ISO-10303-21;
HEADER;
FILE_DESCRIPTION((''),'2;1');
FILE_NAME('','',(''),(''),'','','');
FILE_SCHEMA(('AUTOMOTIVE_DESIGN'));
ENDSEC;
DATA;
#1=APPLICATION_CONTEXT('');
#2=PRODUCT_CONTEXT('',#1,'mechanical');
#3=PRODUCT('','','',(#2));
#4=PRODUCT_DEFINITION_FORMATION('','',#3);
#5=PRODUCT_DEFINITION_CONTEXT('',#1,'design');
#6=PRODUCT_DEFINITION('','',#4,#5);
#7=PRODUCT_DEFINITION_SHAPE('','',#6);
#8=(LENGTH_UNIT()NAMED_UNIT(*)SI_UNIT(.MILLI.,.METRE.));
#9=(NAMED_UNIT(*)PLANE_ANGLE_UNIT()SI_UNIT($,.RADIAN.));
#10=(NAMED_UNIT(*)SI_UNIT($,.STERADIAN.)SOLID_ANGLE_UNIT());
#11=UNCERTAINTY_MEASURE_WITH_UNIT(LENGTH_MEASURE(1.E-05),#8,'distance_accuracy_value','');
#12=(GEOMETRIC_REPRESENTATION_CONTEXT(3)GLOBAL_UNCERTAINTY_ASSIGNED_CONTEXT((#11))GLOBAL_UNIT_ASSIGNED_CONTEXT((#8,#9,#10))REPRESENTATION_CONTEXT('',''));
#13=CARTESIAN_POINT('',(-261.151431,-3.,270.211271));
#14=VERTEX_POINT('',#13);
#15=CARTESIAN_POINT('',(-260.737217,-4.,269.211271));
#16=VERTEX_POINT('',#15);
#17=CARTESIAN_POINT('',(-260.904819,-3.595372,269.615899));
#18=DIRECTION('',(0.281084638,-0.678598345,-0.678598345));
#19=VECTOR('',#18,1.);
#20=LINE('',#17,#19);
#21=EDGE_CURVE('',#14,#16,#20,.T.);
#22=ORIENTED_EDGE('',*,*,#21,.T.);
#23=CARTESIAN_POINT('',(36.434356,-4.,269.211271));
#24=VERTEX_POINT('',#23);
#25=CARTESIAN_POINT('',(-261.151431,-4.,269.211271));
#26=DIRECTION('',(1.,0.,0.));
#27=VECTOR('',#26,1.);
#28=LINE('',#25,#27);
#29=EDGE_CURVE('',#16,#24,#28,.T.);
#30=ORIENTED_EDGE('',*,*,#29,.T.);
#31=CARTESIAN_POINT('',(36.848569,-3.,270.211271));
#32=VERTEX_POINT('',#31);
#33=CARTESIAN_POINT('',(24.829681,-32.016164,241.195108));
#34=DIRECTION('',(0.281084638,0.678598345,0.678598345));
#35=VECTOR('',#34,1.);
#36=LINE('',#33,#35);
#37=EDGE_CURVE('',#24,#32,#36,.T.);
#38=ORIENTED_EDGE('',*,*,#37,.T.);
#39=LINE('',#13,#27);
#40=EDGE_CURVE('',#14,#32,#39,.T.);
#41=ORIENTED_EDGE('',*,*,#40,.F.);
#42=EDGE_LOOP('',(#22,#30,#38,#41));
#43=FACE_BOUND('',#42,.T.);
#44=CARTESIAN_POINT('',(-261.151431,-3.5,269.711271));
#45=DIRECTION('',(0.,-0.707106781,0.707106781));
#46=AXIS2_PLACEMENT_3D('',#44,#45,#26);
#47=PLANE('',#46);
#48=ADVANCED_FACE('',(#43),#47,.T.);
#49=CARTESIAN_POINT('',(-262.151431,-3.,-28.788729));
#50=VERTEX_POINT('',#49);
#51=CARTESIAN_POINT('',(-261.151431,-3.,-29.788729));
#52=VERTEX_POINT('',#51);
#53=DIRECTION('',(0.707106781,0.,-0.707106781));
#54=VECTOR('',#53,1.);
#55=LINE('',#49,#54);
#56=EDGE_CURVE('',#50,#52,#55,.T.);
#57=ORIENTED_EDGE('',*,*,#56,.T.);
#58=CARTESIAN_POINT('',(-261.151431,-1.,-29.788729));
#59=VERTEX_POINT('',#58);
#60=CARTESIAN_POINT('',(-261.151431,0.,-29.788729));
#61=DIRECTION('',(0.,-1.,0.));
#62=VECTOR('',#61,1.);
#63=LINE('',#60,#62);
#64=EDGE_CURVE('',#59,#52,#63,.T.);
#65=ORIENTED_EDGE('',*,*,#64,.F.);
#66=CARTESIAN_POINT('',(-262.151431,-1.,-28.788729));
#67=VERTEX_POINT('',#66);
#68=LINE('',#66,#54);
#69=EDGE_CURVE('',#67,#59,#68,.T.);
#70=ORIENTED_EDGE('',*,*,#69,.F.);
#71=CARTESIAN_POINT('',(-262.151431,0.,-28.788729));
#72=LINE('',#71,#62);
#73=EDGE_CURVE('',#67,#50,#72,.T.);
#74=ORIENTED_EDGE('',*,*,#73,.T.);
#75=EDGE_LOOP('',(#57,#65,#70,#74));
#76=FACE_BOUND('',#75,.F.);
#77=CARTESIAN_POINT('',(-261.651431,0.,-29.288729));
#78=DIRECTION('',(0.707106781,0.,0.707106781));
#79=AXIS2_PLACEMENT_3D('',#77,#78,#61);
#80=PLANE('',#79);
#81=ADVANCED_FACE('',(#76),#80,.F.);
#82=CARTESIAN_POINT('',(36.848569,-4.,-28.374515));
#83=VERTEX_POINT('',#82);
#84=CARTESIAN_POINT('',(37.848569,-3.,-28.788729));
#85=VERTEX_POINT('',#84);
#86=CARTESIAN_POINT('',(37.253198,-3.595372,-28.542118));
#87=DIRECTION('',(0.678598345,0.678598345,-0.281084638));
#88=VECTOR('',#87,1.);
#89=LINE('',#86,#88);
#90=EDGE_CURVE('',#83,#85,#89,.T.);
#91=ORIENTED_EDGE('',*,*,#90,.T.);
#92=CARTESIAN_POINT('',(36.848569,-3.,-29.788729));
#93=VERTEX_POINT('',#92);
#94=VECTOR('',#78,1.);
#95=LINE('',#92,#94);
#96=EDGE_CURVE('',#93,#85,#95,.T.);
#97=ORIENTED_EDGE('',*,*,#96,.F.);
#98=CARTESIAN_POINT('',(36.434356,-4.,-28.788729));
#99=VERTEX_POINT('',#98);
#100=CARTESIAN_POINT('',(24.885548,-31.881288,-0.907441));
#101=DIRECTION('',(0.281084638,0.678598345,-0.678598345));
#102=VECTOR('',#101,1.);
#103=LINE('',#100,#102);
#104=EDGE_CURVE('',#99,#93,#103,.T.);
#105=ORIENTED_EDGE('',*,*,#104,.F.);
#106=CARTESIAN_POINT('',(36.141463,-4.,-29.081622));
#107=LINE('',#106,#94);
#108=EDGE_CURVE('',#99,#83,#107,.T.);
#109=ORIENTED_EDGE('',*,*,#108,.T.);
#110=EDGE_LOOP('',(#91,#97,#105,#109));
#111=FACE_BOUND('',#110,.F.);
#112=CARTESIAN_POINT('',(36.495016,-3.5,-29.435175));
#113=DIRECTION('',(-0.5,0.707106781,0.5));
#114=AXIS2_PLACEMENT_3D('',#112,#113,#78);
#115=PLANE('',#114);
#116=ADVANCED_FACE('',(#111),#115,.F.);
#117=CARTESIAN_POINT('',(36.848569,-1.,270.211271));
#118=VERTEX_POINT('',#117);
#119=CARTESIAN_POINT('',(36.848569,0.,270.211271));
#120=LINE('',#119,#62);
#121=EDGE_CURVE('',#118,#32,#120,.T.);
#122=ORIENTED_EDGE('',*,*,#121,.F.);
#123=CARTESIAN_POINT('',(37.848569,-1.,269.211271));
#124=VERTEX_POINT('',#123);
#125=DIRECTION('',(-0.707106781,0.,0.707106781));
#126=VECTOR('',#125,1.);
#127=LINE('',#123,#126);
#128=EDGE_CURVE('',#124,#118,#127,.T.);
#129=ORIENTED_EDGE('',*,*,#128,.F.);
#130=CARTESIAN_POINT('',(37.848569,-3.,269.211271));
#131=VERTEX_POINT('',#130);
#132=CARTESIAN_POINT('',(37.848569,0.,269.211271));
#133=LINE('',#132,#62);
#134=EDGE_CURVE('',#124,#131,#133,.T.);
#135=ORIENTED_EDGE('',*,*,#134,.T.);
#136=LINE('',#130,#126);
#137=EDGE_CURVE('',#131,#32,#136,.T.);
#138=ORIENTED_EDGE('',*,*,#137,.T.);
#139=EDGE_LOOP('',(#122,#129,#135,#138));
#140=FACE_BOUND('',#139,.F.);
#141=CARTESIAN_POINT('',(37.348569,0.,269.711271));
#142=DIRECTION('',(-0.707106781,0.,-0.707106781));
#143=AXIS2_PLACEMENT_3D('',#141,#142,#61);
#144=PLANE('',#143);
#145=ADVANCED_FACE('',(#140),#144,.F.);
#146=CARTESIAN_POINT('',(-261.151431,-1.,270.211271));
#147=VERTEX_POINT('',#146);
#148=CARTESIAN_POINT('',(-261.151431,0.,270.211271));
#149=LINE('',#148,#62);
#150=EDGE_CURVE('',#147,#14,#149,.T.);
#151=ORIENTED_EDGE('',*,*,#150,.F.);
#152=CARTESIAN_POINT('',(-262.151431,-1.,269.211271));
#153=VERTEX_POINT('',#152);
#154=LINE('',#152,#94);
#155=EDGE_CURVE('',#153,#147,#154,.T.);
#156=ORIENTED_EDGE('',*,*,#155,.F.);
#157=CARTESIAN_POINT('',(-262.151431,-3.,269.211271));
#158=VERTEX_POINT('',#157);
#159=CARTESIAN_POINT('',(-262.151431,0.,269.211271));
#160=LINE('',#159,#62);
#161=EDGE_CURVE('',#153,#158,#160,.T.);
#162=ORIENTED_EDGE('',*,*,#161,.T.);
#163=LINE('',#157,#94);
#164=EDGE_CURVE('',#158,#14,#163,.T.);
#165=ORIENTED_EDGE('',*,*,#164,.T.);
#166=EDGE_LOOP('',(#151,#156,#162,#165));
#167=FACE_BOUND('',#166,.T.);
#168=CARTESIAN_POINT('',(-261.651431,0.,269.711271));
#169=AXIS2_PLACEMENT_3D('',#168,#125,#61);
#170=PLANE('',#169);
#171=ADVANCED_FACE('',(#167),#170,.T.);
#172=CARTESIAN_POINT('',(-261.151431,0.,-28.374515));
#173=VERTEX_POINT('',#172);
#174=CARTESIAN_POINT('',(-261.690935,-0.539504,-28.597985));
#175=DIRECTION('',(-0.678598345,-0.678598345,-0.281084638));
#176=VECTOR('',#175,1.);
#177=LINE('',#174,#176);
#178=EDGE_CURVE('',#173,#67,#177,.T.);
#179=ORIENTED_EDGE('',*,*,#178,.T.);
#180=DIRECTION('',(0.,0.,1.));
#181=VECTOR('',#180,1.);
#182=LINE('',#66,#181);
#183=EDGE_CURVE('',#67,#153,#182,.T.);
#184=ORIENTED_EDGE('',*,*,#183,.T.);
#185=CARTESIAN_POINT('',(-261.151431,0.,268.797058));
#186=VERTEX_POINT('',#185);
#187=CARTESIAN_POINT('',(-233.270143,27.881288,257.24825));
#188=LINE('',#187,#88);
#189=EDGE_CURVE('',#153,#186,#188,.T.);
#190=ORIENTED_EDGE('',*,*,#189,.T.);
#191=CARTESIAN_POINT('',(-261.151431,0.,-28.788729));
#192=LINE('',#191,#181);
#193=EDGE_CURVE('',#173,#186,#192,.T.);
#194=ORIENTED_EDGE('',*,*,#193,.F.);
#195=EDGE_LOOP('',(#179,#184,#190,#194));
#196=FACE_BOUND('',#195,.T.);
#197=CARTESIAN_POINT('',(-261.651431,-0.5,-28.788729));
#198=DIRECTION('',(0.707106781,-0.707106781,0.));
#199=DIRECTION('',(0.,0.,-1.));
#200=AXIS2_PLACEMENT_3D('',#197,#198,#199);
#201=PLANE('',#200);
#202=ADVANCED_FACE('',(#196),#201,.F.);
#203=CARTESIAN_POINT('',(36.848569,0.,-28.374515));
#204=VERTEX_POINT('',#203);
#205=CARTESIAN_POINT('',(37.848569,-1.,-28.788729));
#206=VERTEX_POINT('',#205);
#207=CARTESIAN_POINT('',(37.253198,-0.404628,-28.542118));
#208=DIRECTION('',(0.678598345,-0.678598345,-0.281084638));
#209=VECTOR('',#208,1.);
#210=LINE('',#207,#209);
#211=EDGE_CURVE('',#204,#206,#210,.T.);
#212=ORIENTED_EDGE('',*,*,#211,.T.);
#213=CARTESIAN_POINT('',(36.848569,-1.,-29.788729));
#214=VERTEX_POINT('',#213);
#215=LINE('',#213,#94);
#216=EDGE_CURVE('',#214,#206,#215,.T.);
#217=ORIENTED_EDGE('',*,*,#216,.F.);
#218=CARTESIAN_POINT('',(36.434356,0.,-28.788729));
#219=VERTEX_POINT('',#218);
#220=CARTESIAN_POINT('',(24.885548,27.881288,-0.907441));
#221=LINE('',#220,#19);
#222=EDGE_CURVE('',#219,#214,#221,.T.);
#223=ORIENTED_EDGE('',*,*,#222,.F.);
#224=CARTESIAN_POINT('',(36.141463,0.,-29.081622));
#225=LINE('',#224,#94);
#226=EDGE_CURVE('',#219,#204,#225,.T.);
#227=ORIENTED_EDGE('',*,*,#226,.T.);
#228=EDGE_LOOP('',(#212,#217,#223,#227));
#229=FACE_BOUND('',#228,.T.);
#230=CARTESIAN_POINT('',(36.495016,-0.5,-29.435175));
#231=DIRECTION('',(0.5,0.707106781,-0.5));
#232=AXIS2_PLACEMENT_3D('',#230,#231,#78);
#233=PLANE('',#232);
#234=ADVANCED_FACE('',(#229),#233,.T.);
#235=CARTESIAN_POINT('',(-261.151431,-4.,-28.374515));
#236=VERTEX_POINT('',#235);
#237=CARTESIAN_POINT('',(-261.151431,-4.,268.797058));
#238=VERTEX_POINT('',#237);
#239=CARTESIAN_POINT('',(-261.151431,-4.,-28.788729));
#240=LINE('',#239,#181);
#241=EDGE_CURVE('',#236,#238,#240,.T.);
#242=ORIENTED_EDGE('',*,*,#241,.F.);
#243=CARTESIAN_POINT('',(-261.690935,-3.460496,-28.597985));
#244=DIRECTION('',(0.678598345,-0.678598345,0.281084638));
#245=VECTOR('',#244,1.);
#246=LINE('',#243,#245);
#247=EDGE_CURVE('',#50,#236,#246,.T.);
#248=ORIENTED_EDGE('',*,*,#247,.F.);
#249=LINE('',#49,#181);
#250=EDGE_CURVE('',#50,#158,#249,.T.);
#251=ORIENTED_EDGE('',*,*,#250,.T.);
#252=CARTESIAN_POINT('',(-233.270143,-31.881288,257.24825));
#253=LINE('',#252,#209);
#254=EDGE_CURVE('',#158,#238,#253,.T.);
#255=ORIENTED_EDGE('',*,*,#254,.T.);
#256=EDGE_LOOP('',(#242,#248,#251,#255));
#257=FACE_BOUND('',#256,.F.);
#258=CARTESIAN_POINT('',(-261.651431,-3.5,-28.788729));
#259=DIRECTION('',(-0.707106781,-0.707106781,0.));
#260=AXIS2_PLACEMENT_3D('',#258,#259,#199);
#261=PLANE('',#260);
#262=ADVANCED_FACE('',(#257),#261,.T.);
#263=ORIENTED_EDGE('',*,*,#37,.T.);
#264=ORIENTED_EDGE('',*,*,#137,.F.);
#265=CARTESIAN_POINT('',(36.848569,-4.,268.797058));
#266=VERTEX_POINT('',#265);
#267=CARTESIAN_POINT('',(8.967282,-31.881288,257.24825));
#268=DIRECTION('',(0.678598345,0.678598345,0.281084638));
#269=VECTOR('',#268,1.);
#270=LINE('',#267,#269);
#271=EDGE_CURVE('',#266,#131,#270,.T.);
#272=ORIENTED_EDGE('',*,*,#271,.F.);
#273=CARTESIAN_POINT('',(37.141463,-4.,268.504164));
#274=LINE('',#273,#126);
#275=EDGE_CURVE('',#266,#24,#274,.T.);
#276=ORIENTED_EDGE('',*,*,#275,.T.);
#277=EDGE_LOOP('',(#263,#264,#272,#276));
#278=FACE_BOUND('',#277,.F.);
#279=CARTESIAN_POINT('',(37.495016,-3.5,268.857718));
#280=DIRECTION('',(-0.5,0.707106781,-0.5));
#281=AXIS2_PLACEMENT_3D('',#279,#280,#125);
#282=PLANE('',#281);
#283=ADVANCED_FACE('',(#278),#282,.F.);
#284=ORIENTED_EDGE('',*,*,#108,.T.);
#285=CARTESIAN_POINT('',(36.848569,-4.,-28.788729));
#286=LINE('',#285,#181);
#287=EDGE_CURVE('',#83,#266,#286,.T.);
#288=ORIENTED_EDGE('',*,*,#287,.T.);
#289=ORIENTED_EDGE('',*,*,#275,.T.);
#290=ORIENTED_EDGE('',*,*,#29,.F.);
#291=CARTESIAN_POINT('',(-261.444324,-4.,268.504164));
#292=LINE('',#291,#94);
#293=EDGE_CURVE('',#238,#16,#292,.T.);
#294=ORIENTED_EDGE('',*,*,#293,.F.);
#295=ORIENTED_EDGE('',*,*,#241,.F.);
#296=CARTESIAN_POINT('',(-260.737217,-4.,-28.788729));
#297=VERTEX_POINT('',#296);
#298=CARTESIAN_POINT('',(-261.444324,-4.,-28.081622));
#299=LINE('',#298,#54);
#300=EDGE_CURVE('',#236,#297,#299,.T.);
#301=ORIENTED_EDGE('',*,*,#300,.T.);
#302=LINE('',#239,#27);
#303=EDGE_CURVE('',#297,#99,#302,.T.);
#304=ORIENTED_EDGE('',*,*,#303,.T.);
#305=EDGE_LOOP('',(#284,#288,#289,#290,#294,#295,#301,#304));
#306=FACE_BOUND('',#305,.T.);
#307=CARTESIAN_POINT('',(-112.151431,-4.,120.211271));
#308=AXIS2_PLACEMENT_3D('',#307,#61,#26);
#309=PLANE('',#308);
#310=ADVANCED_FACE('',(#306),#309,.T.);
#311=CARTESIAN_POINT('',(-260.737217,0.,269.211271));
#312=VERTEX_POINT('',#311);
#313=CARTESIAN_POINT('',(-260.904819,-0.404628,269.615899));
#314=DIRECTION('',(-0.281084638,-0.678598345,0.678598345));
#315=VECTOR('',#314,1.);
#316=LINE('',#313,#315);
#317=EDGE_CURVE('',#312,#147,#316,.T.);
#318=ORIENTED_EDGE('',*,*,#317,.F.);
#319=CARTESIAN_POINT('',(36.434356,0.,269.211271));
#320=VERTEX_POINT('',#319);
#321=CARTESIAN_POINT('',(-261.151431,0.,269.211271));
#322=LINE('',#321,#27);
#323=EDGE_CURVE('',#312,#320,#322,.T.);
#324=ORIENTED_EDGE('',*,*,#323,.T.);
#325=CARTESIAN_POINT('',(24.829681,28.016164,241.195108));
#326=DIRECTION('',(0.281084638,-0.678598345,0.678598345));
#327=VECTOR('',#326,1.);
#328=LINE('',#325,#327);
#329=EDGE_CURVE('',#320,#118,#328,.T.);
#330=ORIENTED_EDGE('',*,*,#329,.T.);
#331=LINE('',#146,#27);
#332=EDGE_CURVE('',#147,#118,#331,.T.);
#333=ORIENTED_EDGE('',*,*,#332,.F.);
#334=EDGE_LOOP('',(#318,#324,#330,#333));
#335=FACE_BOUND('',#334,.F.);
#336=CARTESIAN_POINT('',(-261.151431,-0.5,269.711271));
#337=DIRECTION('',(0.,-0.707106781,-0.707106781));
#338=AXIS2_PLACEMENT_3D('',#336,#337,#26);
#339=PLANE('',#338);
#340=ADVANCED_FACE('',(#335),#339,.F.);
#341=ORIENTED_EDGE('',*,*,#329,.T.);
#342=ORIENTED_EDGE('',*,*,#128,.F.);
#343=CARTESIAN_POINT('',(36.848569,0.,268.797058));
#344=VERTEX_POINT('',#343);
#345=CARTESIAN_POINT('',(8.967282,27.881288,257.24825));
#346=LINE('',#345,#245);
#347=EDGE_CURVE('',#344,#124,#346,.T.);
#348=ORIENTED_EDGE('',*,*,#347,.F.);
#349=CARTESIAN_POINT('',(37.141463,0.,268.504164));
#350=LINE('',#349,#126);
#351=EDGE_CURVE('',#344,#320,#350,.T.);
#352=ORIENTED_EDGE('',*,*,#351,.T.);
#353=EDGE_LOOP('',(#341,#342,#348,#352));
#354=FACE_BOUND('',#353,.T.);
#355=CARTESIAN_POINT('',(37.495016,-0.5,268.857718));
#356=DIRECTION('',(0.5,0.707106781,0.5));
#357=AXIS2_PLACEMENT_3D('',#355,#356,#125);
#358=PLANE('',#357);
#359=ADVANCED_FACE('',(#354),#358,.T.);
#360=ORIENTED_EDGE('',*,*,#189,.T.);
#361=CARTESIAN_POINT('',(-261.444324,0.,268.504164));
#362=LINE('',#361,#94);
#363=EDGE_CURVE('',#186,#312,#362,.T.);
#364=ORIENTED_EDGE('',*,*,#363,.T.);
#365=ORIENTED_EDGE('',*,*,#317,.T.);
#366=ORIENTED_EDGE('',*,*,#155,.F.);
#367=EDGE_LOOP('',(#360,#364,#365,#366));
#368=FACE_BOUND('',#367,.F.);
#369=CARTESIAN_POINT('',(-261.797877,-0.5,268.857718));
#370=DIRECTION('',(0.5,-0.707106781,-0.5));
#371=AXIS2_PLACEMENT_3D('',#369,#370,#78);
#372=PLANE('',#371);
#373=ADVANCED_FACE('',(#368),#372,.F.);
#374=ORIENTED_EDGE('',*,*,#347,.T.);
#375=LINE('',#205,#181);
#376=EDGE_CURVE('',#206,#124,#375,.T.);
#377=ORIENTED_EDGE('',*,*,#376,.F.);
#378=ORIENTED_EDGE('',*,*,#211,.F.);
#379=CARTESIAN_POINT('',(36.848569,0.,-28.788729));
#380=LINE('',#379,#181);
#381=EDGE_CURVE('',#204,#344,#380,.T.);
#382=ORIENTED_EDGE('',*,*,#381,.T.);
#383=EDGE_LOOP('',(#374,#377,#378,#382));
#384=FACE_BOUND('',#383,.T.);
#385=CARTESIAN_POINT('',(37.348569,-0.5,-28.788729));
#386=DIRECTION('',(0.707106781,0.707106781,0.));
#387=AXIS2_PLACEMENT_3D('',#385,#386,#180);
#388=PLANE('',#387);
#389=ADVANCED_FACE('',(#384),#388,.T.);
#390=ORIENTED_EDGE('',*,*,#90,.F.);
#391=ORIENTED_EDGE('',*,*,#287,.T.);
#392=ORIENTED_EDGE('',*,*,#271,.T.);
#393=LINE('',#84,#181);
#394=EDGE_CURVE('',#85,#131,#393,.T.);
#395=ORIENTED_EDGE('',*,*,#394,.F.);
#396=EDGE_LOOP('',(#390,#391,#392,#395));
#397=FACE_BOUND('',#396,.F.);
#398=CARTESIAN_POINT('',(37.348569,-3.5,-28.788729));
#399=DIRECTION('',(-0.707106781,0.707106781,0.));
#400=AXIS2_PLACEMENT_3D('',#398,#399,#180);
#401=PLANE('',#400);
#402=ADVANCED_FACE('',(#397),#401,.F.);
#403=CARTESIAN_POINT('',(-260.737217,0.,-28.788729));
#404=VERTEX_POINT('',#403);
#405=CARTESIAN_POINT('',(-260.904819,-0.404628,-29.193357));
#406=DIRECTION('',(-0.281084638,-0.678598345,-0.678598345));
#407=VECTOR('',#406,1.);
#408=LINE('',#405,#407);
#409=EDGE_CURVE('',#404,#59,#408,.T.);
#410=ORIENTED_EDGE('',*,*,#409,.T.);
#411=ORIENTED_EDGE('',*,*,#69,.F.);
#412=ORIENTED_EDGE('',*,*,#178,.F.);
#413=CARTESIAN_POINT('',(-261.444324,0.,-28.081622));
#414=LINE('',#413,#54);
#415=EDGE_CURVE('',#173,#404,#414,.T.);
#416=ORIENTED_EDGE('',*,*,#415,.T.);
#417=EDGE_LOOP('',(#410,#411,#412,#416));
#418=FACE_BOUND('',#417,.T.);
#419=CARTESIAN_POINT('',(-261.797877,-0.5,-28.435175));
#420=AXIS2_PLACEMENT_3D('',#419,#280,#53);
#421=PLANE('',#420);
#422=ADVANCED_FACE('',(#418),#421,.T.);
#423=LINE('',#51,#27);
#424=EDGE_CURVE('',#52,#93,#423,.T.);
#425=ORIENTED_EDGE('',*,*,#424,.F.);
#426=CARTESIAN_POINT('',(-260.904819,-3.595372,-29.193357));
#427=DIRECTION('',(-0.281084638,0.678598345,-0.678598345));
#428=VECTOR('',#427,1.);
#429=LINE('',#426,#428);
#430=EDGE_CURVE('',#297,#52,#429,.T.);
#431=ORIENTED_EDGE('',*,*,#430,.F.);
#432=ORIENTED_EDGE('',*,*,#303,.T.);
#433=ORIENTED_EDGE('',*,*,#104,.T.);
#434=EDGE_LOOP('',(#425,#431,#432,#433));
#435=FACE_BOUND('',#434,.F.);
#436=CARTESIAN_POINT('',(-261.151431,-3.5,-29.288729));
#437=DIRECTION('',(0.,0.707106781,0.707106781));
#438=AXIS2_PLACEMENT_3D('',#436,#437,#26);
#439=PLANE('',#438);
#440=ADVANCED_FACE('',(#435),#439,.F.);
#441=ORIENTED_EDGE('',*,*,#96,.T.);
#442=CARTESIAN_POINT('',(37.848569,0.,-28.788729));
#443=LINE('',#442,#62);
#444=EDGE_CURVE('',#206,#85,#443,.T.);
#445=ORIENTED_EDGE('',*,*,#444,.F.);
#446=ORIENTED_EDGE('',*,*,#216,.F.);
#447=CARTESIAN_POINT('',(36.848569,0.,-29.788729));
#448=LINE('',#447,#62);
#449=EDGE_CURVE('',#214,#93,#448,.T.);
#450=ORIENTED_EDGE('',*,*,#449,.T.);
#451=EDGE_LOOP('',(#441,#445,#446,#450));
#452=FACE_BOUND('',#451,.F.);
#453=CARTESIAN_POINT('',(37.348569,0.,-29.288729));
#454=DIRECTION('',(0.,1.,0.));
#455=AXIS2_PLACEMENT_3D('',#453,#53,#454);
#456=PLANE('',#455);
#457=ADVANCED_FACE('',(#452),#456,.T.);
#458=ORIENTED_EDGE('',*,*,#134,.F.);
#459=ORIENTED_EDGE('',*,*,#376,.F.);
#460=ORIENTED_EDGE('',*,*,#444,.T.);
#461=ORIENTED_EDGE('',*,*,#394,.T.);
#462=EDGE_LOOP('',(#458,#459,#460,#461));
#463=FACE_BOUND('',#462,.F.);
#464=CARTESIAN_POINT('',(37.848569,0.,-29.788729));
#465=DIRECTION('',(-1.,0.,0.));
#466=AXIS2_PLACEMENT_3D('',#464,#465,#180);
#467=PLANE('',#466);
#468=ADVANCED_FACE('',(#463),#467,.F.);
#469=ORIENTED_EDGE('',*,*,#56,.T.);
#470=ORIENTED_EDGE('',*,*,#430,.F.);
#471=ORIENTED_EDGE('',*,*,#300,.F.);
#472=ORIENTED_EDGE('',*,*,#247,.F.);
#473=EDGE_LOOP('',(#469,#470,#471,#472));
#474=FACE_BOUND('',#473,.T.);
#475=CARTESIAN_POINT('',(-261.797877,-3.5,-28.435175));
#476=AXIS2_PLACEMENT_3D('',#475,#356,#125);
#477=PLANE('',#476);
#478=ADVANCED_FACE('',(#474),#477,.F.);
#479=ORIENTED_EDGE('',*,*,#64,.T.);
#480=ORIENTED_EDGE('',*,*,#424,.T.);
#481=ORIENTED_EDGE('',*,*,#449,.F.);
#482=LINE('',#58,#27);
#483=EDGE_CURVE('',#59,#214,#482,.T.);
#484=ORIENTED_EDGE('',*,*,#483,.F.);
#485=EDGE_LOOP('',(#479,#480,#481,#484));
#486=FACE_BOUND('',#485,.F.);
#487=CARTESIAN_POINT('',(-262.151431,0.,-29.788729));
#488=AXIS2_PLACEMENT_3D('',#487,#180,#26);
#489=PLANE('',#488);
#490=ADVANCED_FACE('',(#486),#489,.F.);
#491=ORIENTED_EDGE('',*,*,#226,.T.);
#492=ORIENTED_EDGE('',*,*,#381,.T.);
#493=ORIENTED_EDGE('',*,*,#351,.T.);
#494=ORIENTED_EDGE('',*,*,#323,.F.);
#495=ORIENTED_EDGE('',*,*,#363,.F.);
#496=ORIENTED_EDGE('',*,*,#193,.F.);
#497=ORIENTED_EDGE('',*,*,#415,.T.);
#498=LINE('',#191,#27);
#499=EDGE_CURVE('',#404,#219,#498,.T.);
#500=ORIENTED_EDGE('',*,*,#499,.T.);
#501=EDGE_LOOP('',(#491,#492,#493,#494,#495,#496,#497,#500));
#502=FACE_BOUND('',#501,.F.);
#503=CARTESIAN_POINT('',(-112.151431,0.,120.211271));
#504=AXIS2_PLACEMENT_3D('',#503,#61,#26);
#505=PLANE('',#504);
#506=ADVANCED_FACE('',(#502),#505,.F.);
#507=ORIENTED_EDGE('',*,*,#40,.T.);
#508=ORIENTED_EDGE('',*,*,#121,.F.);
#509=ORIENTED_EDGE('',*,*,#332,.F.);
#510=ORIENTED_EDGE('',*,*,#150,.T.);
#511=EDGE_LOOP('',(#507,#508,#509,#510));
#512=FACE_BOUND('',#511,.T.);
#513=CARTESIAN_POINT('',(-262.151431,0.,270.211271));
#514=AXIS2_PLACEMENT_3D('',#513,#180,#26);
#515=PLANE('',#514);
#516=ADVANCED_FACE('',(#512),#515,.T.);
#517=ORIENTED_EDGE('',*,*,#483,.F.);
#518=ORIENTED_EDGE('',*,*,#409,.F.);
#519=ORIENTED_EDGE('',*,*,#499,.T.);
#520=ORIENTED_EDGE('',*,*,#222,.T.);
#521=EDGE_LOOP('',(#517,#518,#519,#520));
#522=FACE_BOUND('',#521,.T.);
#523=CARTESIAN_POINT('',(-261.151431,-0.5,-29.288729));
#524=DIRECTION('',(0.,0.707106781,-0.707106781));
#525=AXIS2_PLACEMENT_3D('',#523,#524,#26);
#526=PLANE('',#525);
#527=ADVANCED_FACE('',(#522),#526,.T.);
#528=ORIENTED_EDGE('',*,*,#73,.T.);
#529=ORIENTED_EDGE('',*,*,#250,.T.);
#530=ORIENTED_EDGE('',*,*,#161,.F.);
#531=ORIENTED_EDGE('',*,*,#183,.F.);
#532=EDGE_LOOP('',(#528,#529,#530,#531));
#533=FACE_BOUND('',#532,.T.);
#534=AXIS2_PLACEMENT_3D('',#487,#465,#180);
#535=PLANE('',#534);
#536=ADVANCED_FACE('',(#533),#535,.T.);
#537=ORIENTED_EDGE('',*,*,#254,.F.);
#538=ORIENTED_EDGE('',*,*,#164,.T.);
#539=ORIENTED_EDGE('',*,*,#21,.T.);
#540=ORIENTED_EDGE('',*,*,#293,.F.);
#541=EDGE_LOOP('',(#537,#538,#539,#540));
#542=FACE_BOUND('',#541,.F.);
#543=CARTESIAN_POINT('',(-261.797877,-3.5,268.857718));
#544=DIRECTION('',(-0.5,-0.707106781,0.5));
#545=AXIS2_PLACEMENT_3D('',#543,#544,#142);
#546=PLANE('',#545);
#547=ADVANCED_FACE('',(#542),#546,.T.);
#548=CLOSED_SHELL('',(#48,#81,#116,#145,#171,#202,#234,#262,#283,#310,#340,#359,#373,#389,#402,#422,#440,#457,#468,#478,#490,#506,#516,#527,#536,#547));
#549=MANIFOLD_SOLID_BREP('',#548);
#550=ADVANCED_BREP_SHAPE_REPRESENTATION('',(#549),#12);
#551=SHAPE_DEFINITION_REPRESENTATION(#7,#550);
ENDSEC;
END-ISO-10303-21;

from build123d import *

# Parameters (mm, degrees)
F0_W     = 300
F0_H     = 300
F1_DEPTH = 4
F2_SIZE  = 1
F3_SIZE  = 1


with BuildPart() as f1:
    # F0 (on Front) → F1 (new body)
    with BuildSketch(Plane.XZ):
        with Locations((-112.1514305472, 120.2112711966)):
            Rectangle(F0_W, F0_H)
    extrude(amount=F1_DEPTH)

    # F2
    f2_edges = [f1.edges().sort_by_distance(p)[0] for p in [
        (-262.151431, -2, 270.211271),
        (37.848569, -2, 270.211271),
        (37.848569, -2, -29.788729),
        (-262.151431, -2, -29.788729),
    ]]
    chamfer(f2_edges, length=F2_SIZE)

    # F3
    f3_edges = [f1.edges().sort_by_distance(p)[0] for p in [
        (-112.151431, -4, -29.788729),
        (-261.651431, -4, -29.288729),
        (-262.151431, -4, 120.211271),
        (37.348569, -4, -29.288729),
        (37.848569, -4, 120.211271),
        (37.848569, 0, 120.211271),
        (37.348569, 0, -29.288729),
        (-112.151431, 0, -29.788729),
        (-261.651431, 0, -29.288729),
        (-262.151431, 0, 120.211271),
        (-261.651431, -4, 269.711271),
        (-261.651431, 0, 269.711271),
        (-112.151431, 0, 270.211271),
        (-112.151431, -4, 270.211271),
        (37.348569, -4, 269.711271),
        (37.348569, 0, 269.711271),
    ]]
    chamfer(f3_edges, length=F3_SIZE)


solid = f1.part
